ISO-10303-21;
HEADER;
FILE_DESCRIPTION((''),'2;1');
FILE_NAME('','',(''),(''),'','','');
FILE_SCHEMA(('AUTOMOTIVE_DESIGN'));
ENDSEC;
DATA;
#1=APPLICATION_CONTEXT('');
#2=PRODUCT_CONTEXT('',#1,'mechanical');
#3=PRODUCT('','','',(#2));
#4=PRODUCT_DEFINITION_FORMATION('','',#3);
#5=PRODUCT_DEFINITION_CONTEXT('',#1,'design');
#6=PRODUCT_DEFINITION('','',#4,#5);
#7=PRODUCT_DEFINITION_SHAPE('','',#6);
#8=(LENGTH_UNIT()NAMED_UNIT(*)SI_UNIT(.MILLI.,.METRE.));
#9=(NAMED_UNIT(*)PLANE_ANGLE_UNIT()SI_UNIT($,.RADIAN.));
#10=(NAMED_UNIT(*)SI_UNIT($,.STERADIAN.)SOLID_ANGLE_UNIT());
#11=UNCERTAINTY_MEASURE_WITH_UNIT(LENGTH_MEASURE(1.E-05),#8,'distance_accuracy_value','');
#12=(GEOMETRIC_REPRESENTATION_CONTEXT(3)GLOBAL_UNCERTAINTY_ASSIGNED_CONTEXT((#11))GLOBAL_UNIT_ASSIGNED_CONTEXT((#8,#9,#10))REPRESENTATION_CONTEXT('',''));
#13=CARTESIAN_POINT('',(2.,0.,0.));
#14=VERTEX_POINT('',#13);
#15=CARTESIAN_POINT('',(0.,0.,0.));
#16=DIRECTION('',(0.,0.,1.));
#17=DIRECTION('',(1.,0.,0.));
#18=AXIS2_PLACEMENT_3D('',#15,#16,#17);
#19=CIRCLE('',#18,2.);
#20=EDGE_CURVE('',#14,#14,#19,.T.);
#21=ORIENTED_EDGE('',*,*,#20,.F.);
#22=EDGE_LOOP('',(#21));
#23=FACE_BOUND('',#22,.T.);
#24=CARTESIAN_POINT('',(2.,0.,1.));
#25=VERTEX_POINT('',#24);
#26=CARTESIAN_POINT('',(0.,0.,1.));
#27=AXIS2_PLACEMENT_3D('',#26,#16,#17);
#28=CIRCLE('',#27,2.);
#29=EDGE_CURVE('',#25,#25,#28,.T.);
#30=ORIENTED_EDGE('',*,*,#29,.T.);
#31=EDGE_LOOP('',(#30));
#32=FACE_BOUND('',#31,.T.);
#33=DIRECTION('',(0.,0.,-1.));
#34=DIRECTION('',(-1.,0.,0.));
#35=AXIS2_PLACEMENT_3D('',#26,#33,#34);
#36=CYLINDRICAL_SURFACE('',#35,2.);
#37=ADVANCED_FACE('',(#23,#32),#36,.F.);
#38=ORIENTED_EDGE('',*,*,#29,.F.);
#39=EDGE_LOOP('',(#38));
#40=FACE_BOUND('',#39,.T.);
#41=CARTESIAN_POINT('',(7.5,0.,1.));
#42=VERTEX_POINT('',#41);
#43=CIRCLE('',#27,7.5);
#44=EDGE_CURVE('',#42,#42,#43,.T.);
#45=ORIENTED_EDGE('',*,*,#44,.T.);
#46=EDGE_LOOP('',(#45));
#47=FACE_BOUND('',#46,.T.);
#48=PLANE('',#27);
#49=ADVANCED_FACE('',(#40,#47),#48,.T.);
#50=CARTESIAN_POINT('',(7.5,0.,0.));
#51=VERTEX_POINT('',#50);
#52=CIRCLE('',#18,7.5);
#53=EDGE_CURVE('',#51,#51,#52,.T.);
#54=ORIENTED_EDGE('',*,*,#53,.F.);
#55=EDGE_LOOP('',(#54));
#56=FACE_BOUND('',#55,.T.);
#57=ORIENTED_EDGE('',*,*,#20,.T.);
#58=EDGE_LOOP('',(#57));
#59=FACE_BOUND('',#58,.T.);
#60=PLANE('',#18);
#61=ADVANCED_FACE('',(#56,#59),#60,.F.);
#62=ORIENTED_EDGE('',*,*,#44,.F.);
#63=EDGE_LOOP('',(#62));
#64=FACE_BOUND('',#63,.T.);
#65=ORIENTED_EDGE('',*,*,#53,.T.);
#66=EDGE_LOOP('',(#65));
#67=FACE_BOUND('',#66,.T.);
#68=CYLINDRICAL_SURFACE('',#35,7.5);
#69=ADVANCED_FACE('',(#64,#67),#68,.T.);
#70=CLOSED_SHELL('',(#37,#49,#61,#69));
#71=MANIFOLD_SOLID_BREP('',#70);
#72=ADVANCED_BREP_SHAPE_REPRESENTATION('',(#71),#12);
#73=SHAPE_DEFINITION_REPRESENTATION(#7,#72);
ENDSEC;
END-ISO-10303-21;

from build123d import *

# Parameters (mm, degrees)
SKETCH_1_R      = 7.5
SKETCH_1_R_2    = 2
EXTRUDE_1_DEPTH = 1


with BuildPart() as part:
    # 草图1 → 凸台-拉伸1 (new body)
    with BuildSketch(Plane.XY):
        Circle(SKETCH_1_R)
        Circle(SKETCH_1_R_2, mode=Mode.SUBTRACT)
    extrude(amount=EXTRUDE_1_DEPTH)


solid = part.part
